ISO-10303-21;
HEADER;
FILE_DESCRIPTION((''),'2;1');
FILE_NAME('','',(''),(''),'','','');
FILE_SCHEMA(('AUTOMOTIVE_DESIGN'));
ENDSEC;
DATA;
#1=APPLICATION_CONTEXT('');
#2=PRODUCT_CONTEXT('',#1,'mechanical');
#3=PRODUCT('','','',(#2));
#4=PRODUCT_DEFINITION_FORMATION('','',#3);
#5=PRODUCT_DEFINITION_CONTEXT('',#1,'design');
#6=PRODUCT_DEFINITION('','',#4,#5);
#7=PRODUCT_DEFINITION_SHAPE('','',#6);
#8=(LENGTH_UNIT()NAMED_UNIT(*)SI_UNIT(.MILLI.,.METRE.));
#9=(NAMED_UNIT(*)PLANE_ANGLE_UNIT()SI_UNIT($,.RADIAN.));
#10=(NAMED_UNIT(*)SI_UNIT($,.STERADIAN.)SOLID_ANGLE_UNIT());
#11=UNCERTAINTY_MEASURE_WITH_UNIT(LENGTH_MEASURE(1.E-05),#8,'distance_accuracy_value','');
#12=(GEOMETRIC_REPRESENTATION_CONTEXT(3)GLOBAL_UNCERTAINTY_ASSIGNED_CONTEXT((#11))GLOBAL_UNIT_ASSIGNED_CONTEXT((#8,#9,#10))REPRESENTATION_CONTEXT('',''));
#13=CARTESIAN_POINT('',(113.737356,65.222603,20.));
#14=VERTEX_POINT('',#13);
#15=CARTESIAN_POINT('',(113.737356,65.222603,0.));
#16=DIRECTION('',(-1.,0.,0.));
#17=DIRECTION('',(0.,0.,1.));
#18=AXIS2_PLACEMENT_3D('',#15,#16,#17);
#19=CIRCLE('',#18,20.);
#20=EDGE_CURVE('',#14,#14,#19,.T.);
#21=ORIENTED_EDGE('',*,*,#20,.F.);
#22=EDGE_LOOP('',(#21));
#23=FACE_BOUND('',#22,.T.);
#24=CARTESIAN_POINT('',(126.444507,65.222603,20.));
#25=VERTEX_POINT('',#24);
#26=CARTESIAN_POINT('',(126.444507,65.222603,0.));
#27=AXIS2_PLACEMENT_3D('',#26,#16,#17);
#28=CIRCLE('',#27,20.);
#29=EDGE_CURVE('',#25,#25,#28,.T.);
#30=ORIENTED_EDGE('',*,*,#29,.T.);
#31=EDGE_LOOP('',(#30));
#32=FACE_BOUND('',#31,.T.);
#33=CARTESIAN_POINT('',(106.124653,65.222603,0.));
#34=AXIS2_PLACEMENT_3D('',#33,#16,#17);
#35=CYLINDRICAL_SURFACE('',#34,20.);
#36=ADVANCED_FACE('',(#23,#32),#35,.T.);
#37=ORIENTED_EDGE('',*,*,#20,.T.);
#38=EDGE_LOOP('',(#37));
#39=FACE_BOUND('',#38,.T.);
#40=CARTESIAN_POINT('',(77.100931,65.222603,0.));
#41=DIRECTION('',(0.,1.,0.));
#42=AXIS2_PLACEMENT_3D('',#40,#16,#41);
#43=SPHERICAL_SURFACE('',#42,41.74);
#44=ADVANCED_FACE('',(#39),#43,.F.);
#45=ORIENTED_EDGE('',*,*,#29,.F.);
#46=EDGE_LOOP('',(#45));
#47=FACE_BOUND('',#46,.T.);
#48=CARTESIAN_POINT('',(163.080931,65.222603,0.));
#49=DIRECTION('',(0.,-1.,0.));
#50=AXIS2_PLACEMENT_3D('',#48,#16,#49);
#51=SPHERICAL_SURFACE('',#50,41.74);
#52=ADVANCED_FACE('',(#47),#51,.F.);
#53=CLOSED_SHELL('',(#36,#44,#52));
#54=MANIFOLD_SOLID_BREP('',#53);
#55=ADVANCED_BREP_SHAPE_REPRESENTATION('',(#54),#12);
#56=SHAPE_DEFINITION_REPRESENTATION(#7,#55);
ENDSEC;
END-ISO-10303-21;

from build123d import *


with BuildPart() as part:
    # 草图1 → 旋转1 (revolve)
    with BuildSketch(Plane.XY, mode=Mode.PRIVATE) as revolve_1_sk:
        with BuildLine():
            Line((118.840931484, 65.222602873), (121.340931484, 65.222602873))
            ThreePointArc((121.340931484, 65.222602873), (122.636945784, 75.543049604), (126.444506986, 85.222602873))
            Line((126.444506986, 85.222602873), (120.090931484, 85.222602873))
            Line((120.090931484, 85.222602873), (113.737355982, 85.222602873))
            ThreePointArc((113.737355982, 85.222602873), (117.544917183, 75.543049604), (118.840931484, 65.222602873))
        make_face()
    revolve(revolve_1_sk.sketch.rotate(Axis((106.124652785, 65.222602873, 0), (1, 0, 0)), 90), axis=Axis((106.124652785, 65.222602873, 0), (1, 0, 0)))  # turned: the seam where the file's is


solid = part.part
